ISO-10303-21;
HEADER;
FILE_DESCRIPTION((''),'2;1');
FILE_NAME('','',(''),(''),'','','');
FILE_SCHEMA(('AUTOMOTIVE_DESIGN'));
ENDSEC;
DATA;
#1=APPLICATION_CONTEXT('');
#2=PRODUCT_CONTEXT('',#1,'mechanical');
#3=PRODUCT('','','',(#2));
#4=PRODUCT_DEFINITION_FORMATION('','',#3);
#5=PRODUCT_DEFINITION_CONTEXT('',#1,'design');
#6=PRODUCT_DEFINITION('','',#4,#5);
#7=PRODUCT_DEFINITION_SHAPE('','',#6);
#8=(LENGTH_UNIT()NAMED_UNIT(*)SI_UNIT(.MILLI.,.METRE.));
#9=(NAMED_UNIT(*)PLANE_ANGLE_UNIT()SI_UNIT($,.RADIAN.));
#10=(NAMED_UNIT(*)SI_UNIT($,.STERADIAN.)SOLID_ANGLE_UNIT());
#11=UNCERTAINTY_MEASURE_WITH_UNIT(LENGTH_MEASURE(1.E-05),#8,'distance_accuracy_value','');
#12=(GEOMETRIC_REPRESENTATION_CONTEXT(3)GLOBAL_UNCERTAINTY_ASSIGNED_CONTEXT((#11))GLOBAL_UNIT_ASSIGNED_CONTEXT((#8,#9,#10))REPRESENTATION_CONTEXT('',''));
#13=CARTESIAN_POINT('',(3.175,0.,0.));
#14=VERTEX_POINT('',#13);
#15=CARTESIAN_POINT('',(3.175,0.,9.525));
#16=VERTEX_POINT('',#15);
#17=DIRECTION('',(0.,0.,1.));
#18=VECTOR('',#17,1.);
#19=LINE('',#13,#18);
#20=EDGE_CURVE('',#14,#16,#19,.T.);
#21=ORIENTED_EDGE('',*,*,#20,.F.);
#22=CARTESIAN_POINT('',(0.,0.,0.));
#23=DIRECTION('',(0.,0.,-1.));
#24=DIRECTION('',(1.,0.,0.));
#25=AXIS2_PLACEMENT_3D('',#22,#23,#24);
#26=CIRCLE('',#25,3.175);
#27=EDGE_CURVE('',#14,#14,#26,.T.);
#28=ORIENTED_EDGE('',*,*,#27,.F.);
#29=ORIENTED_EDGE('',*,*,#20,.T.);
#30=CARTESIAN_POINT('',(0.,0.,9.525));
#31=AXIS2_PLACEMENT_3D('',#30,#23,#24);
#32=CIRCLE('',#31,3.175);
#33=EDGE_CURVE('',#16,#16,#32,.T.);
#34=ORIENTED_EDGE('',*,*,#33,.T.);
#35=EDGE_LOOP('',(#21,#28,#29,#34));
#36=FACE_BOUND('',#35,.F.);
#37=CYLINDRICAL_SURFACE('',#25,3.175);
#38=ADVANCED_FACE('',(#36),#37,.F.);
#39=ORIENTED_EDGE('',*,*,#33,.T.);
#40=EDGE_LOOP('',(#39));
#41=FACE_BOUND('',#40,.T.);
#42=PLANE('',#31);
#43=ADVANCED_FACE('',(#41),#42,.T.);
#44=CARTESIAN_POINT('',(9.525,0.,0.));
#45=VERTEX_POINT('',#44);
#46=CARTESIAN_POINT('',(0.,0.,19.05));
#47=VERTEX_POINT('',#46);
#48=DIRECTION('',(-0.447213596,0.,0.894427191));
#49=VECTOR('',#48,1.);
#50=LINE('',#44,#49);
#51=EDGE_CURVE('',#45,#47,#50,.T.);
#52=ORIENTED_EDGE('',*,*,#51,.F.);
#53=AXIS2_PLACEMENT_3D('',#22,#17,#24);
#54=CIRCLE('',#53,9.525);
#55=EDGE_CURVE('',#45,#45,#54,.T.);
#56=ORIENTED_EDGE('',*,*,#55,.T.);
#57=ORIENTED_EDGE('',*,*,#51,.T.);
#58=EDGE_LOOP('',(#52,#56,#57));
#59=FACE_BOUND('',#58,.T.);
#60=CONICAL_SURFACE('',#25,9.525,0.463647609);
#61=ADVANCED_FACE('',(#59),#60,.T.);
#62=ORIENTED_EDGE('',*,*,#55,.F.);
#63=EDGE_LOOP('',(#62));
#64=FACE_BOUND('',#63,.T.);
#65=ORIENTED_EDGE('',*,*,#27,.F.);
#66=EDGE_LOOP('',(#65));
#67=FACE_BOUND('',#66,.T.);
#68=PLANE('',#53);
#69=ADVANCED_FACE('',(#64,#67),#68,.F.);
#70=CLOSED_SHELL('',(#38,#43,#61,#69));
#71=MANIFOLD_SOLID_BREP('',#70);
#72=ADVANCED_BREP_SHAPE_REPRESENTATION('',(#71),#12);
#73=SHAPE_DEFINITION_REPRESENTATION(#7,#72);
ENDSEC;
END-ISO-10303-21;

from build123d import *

# Parameters (mm, degrees)
F2_R     = 3.175
F3_DEPTH = 9.525


with BuildPart() as f1:
    # F0 (on Front) → F1 (revolve)
    with BuildSketch(Plane.XZ):
        Polygon((0, 19.05), (0, 0), (9.525, 0), align=None)
    revolve(axis=Axis((0, 0, 9.525), (0, 0, 1)))

    # F2 (on face) → F3 (cut)
    with BuildSketch(Plane(origin=(0, 0, 0), x_dir=(1, 0, 0), z_dir=(0, 0, -1))):
        Circle(F2_R)
    extrude(amount=-F3_DEPTH, mode=Mode.SUBTRACT)


solid = f1.part
